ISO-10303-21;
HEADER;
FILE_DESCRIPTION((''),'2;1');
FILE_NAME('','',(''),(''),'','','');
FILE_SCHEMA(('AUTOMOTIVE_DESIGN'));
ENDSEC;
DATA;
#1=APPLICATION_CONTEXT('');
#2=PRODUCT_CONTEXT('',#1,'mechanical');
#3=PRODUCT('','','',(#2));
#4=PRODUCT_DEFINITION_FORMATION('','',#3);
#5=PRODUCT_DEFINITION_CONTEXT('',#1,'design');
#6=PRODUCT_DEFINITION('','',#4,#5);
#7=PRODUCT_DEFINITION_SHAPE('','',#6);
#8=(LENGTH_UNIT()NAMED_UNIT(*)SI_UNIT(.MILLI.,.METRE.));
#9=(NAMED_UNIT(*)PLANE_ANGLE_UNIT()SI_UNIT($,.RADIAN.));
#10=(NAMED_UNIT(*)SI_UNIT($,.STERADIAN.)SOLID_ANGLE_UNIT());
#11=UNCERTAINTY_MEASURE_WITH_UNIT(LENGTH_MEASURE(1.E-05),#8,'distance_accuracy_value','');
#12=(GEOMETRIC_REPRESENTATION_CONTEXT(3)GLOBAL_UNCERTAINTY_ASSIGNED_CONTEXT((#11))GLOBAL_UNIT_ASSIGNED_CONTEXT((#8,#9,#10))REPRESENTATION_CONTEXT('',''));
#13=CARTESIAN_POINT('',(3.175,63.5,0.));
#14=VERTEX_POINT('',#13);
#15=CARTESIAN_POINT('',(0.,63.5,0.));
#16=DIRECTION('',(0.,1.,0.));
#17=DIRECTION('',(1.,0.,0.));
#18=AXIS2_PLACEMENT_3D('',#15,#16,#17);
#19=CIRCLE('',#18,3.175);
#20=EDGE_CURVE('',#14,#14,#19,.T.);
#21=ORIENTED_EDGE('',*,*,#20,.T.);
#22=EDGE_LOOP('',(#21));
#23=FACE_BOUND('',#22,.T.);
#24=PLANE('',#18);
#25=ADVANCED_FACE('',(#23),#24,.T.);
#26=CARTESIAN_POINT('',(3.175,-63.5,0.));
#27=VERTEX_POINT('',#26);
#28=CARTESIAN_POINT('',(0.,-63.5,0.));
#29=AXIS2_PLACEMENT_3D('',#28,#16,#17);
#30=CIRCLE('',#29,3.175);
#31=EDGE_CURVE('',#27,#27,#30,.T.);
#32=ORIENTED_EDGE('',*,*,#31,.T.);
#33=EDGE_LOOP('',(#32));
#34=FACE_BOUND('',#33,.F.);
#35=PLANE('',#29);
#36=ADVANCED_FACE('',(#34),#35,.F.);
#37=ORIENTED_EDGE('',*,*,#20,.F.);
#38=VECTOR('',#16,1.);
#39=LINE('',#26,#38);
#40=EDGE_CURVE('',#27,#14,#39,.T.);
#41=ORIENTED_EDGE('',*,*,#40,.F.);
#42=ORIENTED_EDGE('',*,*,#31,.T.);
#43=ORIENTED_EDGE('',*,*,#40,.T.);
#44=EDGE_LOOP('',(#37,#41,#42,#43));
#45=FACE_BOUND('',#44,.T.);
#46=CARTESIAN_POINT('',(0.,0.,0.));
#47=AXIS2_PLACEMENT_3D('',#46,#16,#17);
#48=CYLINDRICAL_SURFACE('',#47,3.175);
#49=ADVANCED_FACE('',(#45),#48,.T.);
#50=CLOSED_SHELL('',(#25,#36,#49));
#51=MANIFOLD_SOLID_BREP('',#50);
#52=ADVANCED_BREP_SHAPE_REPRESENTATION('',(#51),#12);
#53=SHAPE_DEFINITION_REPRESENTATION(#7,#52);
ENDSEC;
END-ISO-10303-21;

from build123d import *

# Parameters (mm, degrees)
SKETCH1_R           = 3.175
BOSS_EXTRUDE1_DEPTH = 63.5


with BuildPart() as part:
    # Sketch1 → Boss-Extrude1 (new body, symmetric)
    with BuildSketch(Plane(origin=(0, 0, 0), x_dir=(1, 0, 0), z_dir=(0, 1, 0))):
        Circle(SKETCH1_R)
    extrude(amount=BOSS_EXTRUDE1_DEPTH, both=True)


solid = part.part
